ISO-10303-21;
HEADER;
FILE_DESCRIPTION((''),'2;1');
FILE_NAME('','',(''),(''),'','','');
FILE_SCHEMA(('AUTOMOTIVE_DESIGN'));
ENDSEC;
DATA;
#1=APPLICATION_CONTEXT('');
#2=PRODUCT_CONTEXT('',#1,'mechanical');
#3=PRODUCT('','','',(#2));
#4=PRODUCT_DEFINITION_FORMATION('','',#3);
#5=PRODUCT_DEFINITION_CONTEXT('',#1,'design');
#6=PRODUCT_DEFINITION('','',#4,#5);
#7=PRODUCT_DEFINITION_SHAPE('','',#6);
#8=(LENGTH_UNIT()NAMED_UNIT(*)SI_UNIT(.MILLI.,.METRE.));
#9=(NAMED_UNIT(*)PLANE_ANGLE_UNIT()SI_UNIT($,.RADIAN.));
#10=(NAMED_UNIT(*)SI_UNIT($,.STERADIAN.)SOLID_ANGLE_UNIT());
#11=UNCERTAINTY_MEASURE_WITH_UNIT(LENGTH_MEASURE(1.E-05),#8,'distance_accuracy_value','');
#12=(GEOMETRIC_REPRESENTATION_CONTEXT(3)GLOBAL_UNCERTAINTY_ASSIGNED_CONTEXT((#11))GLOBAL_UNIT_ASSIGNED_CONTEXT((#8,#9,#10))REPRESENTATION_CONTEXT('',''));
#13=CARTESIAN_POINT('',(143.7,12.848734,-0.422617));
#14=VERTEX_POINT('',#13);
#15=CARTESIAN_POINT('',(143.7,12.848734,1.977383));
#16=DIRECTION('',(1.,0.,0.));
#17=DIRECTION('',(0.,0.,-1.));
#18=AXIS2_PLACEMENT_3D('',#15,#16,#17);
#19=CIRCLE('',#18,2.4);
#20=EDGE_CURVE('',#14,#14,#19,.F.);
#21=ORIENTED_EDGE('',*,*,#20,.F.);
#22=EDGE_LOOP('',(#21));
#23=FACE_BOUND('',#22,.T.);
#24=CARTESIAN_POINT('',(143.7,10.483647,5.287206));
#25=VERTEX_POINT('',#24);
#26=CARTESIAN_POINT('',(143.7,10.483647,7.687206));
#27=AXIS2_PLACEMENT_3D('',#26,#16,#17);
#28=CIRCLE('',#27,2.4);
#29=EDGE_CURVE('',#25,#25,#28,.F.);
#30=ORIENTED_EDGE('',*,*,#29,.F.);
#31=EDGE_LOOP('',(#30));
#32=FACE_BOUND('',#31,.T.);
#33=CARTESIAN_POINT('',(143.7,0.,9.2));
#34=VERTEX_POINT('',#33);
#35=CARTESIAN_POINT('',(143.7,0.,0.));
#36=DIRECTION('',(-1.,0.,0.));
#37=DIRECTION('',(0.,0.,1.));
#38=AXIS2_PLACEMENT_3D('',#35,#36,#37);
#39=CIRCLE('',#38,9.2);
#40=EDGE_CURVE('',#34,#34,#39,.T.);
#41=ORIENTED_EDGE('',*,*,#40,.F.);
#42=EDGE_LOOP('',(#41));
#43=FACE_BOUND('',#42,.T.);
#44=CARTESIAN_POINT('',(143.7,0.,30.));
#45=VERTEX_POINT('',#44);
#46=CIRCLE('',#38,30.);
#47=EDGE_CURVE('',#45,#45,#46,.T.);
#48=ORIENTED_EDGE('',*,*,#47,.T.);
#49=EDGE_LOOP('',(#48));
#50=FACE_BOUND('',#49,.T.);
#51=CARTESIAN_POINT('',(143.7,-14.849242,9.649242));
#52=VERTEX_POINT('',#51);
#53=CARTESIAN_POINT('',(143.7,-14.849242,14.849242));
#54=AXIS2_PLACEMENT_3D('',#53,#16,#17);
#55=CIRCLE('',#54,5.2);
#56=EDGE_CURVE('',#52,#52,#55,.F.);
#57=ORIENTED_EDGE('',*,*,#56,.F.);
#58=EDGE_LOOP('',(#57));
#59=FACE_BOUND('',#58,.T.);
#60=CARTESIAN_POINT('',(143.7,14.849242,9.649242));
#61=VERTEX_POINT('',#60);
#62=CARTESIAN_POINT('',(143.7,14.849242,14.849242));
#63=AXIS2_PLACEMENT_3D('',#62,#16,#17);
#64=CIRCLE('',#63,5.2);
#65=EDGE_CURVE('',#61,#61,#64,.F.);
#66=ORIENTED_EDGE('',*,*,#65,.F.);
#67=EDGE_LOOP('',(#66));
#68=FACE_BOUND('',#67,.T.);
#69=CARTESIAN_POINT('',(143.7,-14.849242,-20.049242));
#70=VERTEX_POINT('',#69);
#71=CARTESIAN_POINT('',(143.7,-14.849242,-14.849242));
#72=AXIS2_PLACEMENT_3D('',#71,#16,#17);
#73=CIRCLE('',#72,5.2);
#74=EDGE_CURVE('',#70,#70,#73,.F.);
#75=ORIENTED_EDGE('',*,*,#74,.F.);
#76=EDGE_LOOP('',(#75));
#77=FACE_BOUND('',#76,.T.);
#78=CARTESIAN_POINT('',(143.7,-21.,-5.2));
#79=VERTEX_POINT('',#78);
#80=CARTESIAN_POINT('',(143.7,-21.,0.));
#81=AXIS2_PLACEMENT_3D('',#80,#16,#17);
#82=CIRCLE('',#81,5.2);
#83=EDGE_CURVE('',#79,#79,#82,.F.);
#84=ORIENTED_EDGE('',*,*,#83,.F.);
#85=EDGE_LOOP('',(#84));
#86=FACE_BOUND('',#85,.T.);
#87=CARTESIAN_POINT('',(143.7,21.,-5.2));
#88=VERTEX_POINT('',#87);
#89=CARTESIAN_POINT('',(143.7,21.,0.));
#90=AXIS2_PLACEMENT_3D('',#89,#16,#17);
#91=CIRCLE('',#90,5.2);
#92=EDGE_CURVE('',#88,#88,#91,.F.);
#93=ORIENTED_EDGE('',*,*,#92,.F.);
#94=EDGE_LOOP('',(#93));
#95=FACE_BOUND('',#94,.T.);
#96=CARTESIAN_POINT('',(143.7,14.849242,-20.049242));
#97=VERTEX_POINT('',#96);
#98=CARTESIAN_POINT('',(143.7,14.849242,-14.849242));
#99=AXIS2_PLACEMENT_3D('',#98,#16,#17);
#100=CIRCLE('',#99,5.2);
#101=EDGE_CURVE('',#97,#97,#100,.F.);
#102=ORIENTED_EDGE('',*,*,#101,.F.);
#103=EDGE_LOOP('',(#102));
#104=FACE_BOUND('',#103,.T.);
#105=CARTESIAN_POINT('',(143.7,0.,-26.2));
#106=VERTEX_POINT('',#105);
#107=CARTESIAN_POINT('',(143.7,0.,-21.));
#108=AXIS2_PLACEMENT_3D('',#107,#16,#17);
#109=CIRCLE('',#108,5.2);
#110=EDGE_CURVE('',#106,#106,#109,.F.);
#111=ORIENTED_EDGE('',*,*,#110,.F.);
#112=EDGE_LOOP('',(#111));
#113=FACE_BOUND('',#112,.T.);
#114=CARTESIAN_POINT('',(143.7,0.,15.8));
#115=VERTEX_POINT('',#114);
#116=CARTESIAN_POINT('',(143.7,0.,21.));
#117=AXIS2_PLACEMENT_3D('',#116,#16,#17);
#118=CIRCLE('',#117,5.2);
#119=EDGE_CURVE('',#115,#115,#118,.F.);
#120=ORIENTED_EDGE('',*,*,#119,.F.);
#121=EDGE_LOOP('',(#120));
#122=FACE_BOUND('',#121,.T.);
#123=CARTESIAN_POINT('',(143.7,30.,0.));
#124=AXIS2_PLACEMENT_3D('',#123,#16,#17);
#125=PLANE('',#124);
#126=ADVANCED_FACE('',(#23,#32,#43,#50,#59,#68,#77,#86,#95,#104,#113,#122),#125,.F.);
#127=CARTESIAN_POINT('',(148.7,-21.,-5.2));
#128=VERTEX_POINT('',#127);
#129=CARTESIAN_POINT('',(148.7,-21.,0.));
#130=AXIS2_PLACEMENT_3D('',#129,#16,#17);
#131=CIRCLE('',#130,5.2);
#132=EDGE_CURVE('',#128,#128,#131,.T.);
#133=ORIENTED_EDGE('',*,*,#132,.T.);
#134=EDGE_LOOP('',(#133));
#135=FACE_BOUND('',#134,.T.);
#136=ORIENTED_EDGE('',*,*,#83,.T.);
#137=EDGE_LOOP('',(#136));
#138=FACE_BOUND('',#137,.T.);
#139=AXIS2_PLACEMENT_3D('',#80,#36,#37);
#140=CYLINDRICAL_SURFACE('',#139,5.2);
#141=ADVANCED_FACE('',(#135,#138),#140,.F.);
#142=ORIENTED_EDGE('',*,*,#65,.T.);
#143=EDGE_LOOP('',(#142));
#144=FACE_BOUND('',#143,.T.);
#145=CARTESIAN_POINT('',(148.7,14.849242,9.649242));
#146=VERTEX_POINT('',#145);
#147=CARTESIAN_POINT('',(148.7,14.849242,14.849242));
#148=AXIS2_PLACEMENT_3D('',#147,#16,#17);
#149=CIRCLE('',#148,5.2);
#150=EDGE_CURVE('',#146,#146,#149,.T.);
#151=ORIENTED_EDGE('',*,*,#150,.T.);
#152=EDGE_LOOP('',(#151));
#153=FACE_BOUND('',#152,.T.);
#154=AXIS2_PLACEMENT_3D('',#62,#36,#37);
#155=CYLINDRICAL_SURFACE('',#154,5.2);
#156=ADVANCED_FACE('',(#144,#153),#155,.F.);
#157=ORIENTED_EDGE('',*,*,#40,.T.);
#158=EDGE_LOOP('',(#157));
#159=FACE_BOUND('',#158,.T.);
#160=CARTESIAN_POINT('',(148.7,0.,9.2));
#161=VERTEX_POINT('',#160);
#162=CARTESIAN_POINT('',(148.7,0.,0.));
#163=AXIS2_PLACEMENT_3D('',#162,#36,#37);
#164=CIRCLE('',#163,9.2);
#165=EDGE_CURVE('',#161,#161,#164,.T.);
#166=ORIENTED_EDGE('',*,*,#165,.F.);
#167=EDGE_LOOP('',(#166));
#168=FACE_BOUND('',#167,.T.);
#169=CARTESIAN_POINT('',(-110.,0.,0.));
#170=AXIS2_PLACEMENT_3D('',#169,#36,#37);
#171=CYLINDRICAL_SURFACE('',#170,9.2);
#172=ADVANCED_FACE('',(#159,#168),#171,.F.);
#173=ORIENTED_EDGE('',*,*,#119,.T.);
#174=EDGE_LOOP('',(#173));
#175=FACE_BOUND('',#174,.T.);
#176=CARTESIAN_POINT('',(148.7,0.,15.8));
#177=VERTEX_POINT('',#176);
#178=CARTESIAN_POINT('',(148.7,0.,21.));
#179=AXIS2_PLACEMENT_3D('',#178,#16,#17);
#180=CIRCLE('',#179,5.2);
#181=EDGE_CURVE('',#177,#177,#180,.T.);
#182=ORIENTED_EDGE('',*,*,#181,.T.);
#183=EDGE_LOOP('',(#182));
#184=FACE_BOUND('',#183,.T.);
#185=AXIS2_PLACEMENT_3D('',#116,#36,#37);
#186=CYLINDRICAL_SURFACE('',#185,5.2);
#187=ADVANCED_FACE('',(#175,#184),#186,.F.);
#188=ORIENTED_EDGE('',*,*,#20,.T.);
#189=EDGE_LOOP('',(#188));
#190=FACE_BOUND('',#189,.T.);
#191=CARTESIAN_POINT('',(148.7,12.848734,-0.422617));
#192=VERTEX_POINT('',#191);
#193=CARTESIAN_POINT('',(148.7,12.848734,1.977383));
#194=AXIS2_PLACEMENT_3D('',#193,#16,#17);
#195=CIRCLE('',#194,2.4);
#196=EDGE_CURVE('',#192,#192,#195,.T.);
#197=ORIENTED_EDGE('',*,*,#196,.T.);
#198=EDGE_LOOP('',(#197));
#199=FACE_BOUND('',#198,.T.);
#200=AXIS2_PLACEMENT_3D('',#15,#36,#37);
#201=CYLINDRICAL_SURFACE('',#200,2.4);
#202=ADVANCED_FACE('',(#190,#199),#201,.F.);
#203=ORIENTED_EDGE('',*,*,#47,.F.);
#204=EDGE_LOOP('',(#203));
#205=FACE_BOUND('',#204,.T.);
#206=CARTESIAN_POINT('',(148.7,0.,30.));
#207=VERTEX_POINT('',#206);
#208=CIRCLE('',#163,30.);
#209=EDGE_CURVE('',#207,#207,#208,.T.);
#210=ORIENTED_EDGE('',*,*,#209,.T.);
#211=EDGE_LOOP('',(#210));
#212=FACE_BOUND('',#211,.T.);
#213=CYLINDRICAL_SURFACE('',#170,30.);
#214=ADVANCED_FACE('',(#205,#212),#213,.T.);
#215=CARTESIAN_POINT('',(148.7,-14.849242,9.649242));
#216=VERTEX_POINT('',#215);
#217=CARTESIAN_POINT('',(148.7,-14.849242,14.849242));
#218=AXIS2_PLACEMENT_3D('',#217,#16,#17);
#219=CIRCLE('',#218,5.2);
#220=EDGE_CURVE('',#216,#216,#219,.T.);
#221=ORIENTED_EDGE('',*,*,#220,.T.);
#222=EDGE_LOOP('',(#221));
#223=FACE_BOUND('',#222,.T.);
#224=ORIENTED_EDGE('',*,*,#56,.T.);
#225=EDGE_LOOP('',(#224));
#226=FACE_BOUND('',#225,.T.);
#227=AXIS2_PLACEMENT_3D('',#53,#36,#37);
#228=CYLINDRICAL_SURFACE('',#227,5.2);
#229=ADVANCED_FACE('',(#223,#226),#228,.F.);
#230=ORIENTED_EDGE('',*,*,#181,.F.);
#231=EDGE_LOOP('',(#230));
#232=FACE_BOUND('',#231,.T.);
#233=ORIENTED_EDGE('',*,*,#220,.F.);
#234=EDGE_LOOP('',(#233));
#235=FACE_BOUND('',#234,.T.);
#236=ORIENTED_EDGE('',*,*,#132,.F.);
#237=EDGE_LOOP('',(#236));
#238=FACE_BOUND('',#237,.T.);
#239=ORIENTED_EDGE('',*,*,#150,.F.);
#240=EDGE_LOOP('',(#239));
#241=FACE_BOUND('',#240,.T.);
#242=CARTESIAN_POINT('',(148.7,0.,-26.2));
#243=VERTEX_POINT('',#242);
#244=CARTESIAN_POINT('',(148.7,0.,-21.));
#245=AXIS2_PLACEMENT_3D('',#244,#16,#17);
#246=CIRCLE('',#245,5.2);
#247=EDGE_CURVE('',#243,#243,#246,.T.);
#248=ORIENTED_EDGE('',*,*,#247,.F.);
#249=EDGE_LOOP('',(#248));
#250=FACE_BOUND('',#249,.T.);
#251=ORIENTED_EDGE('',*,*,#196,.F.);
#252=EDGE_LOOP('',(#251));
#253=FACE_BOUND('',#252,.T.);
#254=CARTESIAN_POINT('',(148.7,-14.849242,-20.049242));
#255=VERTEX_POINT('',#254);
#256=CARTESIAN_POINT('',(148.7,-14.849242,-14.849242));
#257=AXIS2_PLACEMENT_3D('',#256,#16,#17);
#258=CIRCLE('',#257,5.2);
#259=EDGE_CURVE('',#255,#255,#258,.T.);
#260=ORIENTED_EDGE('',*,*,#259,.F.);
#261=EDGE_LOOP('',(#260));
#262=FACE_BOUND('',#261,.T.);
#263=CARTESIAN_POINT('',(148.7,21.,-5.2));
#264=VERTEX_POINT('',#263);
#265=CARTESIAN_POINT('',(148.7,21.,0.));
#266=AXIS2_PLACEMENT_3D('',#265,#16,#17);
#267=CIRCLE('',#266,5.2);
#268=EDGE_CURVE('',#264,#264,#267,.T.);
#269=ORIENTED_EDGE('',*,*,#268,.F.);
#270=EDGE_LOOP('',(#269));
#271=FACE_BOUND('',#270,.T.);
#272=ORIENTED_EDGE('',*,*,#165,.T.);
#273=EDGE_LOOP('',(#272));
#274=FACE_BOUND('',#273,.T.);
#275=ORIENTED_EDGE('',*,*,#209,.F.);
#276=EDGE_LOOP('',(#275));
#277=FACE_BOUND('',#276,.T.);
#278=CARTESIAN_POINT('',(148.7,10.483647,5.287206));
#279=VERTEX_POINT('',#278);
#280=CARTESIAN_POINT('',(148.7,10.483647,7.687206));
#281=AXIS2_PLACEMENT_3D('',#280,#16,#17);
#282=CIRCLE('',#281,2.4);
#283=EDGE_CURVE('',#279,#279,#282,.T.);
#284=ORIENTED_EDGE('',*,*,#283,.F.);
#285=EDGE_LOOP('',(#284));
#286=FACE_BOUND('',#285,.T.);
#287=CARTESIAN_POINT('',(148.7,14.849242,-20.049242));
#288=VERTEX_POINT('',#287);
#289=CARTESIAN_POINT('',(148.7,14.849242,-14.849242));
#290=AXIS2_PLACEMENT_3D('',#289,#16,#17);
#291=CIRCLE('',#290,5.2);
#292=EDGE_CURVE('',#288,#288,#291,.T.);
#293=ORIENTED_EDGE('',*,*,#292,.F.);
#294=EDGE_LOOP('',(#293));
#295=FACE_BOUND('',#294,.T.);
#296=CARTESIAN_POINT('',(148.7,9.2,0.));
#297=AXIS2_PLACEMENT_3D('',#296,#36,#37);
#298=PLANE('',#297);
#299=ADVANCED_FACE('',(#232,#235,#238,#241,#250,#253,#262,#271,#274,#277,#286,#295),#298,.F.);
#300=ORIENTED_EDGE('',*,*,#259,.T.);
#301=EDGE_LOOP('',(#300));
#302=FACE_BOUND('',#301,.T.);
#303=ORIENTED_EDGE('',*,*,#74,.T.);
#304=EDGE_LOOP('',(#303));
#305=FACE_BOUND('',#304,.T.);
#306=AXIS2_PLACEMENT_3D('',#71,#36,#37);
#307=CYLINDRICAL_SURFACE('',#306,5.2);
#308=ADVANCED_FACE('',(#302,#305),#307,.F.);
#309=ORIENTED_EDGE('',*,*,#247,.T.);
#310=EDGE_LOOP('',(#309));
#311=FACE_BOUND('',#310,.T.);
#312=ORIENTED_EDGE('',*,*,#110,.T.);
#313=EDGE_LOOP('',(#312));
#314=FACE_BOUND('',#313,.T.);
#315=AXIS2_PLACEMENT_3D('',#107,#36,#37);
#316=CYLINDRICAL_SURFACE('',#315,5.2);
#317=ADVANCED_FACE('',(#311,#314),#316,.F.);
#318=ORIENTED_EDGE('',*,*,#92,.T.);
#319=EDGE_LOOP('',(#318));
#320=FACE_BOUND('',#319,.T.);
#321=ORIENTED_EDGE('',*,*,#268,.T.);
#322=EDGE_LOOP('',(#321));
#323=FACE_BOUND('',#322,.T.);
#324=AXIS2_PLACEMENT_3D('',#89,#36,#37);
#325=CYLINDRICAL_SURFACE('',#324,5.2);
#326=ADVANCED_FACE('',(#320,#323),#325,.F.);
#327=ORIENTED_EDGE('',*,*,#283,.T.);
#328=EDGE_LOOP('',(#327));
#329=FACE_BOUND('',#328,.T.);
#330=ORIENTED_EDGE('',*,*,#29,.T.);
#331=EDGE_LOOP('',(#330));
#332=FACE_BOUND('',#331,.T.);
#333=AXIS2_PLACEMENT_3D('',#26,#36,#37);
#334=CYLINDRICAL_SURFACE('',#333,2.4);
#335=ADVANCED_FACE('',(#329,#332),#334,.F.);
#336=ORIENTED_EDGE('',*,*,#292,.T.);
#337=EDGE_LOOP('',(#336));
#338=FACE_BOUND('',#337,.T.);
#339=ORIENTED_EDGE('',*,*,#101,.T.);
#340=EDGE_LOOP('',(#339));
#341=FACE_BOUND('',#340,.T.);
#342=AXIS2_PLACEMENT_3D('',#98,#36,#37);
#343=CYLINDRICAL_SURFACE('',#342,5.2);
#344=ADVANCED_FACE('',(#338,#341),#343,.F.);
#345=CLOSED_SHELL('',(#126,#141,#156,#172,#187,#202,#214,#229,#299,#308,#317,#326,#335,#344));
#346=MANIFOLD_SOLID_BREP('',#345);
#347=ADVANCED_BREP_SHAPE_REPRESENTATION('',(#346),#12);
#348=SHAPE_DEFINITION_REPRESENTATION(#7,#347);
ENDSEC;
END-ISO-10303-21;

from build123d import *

# Parameters (mm, degrees)
AXIAL_PROFILE_MM_W     = 5
AXIAL_PROFILE_MM_H     = 20.8
AXIAL_HOLES_DEPTH      = 155.634051877
AXIAL_HOLES_DEPTH_BACK = 155.634051877
SKETCH2_R              = 5.2
SKETCH2_R_2            = 2.4


with BuildPart() as part:
    # Axial profile (mm) → Full revolution (revolve)
    with BuildSketch(Plane.XY, mode=Mode.PRIVATE) as full_revolution_sk:
        with Locations((146.2, 19.6)):
            Rectangle(AXIAL_PROFILE_MM_W, AXIAL_PROFILE_MM_H)
    revolve(full_revolution_sk.sketch.rotate(Axis((-110, 0, 0), (1, 0, 0)), 90), axis=Axis((-110, 0, 0), (1, 0, 0)))

    # Sketch2 → Axial holes (cut, two sides: drawn at the far end of the back side and taken through both)
    with BuildSketch(Plane(origin=(0, 0, 0), x_dir=(0, 0, -1), z_dir=(1, 0, 0)).offset(-AXIAL_HOLES_DEPTH_BACK)):
        with Locations((0, 21)):
            Circle(SKETCH2_R)
        with Locations((-14.849242405, 14.849242405)):
            Circle(SKETCH2_R)
        with Locations((-21, 0)):
            Circle(SKETCH2_R)
        with Locations((-14.849242405, -14.849242405)):
            Circle(SKETCH2_R)
        with Locations((0, -21)):
            Circle(SKETCH2_R)
        with Locations((14.849242405, -14.849242405)):
            Circle(SKETCH2_R)
        with Locations((21, 0)):
            Circle(SKETCH2_R)
        with Locations((14.849242405, 14.849242405)):
            Circle(SKETCH2_R)
        with Locations((-1.977382665, 12.848733704)):
            Circle(SKETCH2_R_2)
        with Locations((-7.687206041, 10.483647423)):
            Circle(SKETCH2_R_2)
    extrude(amount=AXIAL_HOLES_DEPTH + AXIAL_HOLES_DEPTH_BACK, mode=Mode.SUBTRACT)


solid = part.part
